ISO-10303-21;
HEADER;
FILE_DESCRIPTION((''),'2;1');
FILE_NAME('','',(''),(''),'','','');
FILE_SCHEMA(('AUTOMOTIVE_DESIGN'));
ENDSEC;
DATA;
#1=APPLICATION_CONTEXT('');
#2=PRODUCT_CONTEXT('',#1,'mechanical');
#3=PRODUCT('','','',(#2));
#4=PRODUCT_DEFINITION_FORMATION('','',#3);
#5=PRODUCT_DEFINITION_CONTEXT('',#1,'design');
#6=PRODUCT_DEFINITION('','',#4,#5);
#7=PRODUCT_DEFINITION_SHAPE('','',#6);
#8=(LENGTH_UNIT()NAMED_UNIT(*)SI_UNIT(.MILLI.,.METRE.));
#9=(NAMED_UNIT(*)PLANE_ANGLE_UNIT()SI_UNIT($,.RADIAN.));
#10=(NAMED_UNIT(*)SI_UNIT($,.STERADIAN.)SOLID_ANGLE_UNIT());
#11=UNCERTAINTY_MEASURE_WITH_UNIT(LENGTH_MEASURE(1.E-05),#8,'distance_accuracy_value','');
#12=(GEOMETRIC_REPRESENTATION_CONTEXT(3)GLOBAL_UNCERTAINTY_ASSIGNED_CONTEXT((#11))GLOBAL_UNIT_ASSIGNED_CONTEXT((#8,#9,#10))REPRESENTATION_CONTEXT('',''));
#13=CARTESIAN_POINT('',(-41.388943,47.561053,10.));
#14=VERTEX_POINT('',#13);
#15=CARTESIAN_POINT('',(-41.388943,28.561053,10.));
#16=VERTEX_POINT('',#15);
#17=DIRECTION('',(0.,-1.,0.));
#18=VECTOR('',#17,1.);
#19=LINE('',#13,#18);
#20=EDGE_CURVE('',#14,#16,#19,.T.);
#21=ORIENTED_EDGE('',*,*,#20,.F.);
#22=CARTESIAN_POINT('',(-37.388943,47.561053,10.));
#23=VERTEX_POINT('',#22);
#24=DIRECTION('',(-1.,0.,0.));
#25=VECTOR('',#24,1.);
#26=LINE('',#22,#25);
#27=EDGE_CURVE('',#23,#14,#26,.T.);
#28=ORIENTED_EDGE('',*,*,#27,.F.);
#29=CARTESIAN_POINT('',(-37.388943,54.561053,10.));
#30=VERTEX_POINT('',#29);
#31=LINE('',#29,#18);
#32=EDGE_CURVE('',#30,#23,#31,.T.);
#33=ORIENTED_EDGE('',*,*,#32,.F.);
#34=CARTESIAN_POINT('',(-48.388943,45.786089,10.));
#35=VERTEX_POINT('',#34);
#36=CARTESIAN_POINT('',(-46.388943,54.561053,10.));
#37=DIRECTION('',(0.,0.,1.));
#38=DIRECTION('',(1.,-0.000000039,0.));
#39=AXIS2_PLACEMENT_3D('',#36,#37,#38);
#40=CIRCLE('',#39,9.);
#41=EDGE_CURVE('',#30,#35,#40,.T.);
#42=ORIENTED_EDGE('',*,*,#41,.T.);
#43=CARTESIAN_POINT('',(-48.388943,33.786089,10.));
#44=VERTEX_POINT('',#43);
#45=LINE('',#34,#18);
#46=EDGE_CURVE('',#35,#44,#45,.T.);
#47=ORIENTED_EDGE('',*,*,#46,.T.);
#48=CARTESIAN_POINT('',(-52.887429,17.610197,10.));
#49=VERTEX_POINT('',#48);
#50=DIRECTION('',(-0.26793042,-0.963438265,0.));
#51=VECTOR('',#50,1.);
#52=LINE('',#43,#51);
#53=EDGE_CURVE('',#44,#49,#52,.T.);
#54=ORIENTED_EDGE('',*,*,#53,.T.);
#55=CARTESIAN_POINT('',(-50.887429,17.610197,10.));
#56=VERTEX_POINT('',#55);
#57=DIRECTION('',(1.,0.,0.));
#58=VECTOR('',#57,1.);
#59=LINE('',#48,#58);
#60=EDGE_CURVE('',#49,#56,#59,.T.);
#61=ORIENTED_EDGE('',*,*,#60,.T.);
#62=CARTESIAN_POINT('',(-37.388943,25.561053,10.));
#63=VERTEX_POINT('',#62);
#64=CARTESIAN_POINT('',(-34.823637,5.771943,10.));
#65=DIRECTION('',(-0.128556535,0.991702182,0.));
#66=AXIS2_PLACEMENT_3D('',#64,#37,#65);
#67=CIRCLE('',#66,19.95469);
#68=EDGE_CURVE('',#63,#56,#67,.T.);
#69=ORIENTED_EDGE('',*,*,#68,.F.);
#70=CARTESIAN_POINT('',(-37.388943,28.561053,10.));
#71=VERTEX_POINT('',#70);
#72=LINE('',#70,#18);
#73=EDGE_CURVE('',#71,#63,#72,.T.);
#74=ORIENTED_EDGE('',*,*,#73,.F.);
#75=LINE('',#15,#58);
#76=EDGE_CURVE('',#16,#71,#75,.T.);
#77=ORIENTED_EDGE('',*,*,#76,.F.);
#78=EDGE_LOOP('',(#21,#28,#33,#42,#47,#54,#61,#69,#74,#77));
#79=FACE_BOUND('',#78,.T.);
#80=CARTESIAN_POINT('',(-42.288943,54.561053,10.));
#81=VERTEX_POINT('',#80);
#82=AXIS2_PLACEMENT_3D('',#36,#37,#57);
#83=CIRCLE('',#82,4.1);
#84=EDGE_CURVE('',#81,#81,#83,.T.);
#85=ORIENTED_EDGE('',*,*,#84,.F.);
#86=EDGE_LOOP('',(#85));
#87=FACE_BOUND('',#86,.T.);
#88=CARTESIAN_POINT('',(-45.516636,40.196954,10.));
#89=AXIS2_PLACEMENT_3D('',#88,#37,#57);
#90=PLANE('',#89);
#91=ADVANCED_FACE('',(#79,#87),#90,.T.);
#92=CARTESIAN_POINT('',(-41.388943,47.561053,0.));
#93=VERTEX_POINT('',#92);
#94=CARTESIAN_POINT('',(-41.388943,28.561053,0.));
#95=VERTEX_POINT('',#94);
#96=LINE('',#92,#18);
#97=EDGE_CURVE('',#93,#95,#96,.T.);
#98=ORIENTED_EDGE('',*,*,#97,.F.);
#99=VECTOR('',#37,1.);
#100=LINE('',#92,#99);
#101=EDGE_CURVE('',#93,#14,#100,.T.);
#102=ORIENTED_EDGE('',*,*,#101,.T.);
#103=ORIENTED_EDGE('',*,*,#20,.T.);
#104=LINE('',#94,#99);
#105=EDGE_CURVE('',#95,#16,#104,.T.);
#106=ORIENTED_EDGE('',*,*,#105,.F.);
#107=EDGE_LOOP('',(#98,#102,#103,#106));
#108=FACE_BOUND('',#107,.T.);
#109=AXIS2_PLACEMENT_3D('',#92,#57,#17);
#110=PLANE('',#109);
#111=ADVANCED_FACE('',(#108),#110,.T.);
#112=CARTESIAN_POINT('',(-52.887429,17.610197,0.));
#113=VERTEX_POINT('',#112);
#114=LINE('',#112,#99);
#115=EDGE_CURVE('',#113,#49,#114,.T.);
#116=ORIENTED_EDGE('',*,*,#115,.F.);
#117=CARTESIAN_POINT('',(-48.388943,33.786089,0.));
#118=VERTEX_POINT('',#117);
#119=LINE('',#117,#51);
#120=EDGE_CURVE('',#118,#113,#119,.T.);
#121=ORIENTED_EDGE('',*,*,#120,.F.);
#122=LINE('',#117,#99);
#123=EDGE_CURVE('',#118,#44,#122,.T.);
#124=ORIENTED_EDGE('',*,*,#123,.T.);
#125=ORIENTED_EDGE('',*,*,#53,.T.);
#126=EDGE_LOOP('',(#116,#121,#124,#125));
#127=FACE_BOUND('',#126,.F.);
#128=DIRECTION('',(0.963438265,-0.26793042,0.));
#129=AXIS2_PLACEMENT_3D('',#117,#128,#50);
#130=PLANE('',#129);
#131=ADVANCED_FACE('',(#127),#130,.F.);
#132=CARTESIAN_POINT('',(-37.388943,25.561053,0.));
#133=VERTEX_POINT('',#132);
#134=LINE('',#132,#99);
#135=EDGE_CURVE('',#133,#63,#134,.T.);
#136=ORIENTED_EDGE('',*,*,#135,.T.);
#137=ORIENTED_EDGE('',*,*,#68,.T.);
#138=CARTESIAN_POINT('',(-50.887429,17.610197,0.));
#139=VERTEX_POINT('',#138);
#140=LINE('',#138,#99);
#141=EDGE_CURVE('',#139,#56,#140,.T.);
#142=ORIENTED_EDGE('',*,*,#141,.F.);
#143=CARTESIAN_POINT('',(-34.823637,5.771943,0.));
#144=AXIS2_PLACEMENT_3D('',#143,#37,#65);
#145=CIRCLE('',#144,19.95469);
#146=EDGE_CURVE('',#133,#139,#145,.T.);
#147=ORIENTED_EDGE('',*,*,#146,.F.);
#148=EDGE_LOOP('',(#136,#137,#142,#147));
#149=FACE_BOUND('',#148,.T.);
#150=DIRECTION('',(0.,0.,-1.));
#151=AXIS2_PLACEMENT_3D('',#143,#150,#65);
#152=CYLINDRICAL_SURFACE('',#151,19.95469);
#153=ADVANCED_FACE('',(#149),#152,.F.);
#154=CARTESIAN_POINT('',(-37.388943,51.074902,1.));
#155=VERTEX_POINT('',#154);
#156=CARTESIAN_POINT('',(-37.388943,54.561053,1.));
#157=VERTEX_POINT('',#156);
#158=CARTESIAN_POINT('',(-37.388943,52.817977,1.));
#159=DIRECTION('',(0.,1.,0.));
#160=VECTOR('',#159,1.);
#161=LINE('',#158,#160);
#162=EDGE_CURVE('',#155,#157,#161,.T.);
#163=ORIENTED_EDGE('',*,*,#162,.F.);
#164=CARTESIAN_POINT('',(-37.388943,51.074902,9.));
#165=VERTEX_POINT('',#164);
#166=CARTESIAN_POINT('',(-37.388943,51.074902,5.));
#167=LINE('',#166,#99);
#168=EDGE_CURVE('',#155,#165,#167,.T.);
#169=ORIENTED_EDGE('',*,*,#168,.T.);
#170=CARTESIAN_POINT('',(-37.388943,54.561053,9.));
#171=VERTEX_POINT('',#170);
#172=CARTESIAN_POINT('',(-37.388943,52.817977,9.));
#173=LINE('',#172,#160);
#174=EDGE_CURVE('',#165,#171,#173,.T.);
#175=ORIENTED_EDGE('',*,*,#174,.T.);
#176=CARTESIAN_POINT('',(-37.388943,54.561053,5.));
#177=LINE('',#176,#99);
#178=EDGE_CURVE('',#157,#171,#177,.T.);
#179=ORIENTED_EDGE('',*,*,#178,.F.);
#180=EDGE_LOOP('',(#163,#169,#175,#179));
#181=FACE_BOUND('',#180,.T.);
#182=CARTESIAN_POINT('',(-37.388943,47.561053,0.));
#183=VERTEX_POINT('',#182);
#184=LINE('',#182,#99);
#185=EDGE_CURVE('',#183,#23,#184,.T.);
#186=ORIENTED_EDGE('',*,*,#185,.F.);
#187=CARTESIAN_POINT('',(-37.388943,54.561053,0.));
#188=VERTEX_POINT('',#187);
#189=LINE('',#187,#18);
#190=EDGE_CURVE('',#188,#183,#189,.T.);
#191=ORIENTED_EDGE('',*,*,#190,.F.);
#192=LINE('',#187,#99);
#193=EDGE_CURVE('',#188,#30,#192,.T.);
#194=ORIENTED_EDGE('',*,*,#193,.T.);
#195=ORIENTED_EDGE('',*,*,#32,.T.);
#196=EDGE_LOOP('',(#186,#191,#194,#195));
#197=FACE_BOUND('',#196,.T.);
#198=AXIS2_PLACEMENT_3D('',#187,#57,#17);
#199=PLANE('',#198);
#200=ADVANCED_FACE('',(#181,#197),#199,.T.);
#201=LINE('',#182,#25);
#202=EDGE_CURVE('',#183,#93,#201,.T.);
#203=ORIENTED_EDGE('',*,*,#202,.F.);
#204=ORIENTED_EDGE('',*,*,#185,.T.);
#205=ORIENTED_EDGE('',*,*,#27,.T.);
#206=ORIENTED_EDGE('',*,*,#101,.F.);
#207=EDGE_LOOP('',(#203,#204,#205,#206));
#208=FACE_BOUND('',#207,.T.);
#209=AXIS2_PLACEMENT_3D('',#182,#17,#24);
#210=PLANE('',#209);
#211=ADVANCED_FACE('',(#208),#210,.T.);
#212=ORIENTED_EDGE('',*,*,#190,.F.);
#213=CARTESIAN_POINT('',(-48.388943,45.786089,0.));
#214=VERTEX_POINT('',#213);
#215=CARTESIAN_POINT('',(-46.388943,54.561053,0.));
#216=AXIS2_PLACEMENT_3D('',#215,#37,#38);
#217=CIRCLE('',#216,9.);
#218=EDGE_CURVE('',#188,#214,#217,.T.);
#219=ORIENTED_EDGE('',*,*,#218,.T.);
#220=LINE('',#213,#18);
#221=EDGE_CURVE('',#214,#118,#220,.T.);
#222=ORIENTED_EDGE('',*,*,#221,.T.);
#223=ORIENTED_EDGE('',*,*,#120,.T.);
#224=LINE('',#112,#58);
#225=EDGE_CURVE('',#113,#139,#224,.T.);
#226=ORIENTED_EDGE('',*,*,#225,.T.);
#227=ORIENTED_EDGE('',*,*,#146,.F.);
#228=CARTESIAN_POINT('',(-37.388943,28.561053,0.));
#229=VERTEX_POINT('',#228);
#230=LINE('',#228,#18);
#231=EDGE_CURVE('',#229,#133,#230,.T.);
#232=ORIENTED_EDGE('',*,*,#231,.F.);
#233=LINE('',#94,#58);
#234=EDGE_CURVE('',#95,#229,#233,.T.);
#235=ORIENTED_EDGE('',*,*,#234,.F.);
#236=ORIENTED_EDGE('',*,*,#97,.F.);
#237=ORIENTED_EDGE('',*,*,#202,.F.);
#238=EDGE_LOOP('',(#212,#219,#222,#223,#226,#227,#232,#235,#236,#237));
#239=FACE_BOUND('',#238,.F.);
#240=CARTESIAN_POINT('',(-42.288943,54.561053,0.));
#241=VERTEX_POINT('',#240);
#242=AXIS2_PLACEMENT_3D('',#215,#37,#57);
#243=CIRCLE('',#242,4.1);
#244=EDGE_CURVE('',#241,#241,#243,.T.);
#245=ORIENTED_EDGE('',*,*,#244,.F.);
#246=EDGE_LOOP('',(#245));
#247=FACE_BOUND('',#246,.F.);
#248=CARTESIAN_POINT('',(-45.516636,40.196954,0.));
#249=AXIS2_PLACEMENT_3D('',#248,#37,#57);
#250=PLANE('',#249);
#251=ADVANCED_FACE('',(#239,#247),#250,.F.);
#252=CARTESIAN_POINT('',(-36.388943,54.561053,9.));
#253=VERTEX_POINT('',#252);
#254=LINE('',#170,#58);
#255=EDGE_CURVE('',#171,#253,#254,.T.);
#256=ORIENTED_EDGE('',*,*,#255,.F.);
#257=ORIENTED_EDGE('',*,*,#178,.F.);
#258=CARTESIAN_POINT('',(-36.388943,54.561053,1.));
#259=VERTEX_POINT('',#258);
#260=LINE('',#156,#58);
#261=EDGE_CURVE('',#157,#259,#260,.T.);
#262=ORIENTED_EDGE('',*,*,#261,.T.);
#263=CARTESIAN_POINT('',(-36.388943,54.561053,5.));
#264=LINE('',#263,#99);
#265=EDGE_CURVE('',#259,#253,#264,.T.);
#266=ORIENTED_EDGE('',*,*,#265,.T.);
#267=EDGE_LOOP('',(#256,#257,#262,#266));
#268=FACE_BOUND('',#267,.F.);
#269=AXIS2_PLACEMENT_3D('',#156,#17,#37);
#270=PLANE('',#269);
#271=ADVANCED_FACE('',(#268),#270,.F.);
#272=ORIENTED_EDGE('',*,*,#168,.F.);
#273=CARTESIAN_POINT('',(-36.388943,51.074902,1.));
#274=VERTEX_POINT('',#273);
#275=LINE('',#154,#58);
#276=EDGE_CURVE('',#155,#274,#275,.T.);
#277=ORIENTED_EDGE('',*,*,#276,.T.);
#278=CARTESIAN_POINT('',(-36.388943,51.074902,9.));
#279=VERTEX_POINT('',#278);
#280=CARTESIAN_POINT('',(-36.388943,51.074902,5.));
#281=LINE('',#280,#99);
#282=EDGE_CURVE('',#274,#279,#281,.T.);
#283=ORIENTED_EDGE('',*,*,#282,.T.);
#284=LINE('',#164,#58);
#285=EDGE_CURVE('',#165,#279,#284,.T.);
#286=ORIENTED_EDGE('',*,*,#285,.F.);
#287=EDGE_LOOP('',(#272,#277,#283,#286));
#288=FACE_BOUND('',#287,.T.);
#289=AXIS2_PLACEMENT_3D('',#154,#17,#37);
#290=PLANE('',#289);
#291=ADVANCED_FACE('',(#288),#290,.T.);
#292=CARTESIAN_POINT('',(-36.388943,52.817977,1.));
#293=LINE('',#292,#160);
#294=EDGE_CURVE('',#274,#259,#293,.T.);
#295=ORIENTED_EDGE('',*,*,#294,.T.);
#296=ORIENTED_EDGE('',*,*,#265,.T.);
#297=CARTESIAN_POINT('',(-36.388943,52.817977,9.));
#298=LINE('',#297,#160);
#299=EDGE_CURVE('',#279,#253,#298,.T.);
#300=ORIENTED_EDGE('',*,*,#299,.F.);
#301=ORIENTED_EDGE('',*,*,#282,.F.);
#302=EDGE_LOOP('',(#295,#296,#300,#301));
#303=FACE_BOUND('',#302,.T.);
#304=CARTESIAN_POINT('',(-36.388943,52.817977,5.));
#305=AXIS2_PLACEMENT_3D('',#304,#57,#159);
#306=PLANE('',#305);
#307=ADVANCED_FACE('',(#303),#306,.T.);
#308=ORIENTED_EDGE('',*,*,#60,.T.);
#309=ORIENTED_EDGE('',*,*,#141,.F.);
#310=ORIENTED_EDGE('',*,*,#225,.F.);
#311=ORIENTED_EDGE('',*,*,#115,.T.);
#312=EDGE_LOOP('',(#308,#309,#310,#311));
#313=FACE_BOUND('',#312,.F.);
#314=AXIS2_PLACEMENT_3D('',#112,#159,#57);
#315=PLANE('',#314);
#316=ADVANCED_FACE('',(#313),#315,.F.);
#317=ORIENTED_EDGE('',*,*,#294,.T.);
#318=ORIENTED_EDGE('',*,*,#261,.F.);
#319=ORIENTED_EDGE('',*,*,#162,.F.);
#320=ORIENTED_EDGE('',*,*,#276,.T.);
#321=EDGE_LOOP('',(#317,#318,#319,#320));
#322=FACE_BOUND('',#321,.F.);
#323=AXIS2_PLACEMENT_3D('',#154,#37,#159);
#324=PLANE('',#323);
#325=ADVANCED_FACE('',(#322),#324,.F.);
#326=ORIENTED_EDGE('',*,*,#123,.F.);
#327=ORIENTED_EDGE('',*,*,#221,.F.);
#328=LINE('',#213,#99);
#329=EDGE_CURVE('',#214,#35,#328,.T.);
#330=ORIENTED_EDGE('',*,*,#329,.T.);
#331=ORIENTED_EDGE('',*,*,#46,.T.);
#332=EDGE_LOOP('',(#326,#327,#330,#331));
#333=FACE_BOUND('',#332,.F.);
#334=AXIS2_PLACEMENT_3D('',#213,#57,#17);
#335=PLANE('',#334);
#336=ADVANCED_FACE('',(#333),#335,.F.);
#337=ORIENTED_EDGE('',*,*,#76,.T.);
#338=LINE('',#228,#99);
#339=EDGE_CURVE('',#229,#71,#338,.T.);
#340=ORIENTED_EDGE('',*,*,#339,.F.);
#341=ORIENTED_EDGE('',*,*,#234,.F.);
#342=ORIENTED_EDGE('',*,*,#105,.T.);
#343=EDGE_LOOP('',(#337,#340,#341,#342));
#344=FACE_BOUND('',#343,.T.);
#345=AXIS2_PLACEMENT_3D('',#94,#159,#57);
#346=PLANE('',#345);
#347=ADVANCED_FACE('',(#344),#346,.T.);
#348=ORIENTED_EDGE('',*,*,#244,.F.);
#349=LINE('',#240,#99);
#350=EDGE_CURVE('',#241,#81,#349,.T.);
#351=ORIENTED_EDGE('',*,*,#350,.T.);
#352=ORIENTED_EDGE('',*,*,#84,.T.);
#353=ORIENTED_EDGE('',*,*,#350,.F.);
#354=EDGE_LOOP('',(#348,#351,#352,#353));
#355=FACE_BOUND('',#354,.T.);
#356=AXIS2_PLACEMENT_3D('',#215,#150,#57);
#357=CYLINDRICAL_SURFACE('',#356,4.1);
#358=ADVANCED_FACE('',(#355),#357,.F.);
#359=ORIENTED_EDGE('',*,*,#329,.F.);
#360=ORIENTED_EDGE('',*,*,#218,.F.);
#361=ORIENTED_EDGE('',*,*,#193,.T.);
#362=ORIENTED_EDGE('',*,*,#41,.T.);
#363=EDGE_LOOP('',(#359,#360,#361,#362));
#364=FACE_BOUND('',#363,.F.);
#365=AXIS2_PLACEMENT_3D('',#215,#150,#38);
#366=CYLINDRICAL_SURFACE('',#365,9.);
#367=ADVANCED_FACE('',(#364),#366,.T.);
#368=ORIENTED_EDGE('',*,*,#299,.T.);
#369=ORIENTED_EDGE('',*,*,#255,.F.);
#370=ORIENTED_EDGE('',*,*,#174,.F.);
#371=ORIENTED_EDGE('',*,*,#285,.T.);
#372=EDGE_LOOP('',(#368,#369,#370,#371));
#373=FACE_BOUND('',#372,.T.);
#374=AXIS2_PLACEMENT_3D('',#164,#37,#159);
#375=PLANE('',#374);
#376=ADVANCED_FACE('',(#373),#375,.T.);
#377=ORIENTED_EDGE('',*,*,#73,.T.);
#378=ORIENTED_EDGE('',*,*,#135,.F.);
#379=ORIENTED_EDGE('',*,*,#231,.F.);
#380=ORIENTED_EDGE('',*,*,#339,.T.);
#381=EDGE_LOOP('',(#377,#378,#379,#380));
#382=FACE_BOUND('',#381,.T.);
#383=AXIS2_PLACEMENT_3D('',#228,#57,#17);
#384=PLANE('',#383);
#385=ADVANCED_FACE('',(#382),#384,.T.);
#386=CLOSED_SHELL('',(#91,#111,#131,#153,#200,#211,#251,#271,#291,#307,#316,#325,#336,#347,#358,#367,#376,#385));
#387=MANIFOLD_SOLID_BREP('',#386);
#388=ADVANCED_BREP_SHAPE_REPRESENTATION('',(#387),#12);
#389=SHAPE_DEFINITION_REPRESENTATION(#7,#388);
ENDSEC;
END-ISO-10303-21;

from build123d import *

# Parameters (mm, degrees)
SKETCH_R     = 4.1
PAD_DEPTH    = 10
SKETCH001_W  = 3.486151
SKETCH001_H  = 8
PAD001_DEPTH = 1


with BuildPart() as part:
    # Sketch → Pad (new body)
    with BuildSketch(Plane.XY):
        with BuildLine():
            Line((-48.388943, 45.786089), (-48.388943, 33.786089))
            Line((-48.388943, 33.786089), (-52.887429, 17.610197))
            Line((-52.887429, 17.610197), (-50.887429, 17.610197))
            ThreePointArc((-37.388943, 25.561053), (-44.951067, 22.965687), (-50.887429, 17.610197))
            Line((-37.388943, 28.561053), (-37.388943, 25.561053))
            Line((-41.388943, 28.561053), (-37.388943, 28.561053))
            Line((-41.388943, 47.561053), (-41.388943, 28.561053))
            Line((-37.388943, 47.561053), (-41.388943, 47.561053))
            Line((-37.388943, 54.561053), (-37.388943, 47.561053))
            ThreePointArc((-37.388943, 54.561053), (-52.001429, 61.596677), (-48.388943, 45.786089))
        make_face()
        with Locations((-46.388943, 54.561053)):
            Circle(SKETCH_R, mode=Mode.SUBTRACT)
    extrude(amount=PAD_DEPTH)

    # Sketch001 → Pad001 (new body)
    with BuildSketch(Plane.YZ.offset(-37.388943)):
        with Locations((52.817977, 5)):
            Rectangle(SKETCH001_W, SKETCH001_H)
    extrude(amount=PAD001_DEPTH)


solid = part.part
